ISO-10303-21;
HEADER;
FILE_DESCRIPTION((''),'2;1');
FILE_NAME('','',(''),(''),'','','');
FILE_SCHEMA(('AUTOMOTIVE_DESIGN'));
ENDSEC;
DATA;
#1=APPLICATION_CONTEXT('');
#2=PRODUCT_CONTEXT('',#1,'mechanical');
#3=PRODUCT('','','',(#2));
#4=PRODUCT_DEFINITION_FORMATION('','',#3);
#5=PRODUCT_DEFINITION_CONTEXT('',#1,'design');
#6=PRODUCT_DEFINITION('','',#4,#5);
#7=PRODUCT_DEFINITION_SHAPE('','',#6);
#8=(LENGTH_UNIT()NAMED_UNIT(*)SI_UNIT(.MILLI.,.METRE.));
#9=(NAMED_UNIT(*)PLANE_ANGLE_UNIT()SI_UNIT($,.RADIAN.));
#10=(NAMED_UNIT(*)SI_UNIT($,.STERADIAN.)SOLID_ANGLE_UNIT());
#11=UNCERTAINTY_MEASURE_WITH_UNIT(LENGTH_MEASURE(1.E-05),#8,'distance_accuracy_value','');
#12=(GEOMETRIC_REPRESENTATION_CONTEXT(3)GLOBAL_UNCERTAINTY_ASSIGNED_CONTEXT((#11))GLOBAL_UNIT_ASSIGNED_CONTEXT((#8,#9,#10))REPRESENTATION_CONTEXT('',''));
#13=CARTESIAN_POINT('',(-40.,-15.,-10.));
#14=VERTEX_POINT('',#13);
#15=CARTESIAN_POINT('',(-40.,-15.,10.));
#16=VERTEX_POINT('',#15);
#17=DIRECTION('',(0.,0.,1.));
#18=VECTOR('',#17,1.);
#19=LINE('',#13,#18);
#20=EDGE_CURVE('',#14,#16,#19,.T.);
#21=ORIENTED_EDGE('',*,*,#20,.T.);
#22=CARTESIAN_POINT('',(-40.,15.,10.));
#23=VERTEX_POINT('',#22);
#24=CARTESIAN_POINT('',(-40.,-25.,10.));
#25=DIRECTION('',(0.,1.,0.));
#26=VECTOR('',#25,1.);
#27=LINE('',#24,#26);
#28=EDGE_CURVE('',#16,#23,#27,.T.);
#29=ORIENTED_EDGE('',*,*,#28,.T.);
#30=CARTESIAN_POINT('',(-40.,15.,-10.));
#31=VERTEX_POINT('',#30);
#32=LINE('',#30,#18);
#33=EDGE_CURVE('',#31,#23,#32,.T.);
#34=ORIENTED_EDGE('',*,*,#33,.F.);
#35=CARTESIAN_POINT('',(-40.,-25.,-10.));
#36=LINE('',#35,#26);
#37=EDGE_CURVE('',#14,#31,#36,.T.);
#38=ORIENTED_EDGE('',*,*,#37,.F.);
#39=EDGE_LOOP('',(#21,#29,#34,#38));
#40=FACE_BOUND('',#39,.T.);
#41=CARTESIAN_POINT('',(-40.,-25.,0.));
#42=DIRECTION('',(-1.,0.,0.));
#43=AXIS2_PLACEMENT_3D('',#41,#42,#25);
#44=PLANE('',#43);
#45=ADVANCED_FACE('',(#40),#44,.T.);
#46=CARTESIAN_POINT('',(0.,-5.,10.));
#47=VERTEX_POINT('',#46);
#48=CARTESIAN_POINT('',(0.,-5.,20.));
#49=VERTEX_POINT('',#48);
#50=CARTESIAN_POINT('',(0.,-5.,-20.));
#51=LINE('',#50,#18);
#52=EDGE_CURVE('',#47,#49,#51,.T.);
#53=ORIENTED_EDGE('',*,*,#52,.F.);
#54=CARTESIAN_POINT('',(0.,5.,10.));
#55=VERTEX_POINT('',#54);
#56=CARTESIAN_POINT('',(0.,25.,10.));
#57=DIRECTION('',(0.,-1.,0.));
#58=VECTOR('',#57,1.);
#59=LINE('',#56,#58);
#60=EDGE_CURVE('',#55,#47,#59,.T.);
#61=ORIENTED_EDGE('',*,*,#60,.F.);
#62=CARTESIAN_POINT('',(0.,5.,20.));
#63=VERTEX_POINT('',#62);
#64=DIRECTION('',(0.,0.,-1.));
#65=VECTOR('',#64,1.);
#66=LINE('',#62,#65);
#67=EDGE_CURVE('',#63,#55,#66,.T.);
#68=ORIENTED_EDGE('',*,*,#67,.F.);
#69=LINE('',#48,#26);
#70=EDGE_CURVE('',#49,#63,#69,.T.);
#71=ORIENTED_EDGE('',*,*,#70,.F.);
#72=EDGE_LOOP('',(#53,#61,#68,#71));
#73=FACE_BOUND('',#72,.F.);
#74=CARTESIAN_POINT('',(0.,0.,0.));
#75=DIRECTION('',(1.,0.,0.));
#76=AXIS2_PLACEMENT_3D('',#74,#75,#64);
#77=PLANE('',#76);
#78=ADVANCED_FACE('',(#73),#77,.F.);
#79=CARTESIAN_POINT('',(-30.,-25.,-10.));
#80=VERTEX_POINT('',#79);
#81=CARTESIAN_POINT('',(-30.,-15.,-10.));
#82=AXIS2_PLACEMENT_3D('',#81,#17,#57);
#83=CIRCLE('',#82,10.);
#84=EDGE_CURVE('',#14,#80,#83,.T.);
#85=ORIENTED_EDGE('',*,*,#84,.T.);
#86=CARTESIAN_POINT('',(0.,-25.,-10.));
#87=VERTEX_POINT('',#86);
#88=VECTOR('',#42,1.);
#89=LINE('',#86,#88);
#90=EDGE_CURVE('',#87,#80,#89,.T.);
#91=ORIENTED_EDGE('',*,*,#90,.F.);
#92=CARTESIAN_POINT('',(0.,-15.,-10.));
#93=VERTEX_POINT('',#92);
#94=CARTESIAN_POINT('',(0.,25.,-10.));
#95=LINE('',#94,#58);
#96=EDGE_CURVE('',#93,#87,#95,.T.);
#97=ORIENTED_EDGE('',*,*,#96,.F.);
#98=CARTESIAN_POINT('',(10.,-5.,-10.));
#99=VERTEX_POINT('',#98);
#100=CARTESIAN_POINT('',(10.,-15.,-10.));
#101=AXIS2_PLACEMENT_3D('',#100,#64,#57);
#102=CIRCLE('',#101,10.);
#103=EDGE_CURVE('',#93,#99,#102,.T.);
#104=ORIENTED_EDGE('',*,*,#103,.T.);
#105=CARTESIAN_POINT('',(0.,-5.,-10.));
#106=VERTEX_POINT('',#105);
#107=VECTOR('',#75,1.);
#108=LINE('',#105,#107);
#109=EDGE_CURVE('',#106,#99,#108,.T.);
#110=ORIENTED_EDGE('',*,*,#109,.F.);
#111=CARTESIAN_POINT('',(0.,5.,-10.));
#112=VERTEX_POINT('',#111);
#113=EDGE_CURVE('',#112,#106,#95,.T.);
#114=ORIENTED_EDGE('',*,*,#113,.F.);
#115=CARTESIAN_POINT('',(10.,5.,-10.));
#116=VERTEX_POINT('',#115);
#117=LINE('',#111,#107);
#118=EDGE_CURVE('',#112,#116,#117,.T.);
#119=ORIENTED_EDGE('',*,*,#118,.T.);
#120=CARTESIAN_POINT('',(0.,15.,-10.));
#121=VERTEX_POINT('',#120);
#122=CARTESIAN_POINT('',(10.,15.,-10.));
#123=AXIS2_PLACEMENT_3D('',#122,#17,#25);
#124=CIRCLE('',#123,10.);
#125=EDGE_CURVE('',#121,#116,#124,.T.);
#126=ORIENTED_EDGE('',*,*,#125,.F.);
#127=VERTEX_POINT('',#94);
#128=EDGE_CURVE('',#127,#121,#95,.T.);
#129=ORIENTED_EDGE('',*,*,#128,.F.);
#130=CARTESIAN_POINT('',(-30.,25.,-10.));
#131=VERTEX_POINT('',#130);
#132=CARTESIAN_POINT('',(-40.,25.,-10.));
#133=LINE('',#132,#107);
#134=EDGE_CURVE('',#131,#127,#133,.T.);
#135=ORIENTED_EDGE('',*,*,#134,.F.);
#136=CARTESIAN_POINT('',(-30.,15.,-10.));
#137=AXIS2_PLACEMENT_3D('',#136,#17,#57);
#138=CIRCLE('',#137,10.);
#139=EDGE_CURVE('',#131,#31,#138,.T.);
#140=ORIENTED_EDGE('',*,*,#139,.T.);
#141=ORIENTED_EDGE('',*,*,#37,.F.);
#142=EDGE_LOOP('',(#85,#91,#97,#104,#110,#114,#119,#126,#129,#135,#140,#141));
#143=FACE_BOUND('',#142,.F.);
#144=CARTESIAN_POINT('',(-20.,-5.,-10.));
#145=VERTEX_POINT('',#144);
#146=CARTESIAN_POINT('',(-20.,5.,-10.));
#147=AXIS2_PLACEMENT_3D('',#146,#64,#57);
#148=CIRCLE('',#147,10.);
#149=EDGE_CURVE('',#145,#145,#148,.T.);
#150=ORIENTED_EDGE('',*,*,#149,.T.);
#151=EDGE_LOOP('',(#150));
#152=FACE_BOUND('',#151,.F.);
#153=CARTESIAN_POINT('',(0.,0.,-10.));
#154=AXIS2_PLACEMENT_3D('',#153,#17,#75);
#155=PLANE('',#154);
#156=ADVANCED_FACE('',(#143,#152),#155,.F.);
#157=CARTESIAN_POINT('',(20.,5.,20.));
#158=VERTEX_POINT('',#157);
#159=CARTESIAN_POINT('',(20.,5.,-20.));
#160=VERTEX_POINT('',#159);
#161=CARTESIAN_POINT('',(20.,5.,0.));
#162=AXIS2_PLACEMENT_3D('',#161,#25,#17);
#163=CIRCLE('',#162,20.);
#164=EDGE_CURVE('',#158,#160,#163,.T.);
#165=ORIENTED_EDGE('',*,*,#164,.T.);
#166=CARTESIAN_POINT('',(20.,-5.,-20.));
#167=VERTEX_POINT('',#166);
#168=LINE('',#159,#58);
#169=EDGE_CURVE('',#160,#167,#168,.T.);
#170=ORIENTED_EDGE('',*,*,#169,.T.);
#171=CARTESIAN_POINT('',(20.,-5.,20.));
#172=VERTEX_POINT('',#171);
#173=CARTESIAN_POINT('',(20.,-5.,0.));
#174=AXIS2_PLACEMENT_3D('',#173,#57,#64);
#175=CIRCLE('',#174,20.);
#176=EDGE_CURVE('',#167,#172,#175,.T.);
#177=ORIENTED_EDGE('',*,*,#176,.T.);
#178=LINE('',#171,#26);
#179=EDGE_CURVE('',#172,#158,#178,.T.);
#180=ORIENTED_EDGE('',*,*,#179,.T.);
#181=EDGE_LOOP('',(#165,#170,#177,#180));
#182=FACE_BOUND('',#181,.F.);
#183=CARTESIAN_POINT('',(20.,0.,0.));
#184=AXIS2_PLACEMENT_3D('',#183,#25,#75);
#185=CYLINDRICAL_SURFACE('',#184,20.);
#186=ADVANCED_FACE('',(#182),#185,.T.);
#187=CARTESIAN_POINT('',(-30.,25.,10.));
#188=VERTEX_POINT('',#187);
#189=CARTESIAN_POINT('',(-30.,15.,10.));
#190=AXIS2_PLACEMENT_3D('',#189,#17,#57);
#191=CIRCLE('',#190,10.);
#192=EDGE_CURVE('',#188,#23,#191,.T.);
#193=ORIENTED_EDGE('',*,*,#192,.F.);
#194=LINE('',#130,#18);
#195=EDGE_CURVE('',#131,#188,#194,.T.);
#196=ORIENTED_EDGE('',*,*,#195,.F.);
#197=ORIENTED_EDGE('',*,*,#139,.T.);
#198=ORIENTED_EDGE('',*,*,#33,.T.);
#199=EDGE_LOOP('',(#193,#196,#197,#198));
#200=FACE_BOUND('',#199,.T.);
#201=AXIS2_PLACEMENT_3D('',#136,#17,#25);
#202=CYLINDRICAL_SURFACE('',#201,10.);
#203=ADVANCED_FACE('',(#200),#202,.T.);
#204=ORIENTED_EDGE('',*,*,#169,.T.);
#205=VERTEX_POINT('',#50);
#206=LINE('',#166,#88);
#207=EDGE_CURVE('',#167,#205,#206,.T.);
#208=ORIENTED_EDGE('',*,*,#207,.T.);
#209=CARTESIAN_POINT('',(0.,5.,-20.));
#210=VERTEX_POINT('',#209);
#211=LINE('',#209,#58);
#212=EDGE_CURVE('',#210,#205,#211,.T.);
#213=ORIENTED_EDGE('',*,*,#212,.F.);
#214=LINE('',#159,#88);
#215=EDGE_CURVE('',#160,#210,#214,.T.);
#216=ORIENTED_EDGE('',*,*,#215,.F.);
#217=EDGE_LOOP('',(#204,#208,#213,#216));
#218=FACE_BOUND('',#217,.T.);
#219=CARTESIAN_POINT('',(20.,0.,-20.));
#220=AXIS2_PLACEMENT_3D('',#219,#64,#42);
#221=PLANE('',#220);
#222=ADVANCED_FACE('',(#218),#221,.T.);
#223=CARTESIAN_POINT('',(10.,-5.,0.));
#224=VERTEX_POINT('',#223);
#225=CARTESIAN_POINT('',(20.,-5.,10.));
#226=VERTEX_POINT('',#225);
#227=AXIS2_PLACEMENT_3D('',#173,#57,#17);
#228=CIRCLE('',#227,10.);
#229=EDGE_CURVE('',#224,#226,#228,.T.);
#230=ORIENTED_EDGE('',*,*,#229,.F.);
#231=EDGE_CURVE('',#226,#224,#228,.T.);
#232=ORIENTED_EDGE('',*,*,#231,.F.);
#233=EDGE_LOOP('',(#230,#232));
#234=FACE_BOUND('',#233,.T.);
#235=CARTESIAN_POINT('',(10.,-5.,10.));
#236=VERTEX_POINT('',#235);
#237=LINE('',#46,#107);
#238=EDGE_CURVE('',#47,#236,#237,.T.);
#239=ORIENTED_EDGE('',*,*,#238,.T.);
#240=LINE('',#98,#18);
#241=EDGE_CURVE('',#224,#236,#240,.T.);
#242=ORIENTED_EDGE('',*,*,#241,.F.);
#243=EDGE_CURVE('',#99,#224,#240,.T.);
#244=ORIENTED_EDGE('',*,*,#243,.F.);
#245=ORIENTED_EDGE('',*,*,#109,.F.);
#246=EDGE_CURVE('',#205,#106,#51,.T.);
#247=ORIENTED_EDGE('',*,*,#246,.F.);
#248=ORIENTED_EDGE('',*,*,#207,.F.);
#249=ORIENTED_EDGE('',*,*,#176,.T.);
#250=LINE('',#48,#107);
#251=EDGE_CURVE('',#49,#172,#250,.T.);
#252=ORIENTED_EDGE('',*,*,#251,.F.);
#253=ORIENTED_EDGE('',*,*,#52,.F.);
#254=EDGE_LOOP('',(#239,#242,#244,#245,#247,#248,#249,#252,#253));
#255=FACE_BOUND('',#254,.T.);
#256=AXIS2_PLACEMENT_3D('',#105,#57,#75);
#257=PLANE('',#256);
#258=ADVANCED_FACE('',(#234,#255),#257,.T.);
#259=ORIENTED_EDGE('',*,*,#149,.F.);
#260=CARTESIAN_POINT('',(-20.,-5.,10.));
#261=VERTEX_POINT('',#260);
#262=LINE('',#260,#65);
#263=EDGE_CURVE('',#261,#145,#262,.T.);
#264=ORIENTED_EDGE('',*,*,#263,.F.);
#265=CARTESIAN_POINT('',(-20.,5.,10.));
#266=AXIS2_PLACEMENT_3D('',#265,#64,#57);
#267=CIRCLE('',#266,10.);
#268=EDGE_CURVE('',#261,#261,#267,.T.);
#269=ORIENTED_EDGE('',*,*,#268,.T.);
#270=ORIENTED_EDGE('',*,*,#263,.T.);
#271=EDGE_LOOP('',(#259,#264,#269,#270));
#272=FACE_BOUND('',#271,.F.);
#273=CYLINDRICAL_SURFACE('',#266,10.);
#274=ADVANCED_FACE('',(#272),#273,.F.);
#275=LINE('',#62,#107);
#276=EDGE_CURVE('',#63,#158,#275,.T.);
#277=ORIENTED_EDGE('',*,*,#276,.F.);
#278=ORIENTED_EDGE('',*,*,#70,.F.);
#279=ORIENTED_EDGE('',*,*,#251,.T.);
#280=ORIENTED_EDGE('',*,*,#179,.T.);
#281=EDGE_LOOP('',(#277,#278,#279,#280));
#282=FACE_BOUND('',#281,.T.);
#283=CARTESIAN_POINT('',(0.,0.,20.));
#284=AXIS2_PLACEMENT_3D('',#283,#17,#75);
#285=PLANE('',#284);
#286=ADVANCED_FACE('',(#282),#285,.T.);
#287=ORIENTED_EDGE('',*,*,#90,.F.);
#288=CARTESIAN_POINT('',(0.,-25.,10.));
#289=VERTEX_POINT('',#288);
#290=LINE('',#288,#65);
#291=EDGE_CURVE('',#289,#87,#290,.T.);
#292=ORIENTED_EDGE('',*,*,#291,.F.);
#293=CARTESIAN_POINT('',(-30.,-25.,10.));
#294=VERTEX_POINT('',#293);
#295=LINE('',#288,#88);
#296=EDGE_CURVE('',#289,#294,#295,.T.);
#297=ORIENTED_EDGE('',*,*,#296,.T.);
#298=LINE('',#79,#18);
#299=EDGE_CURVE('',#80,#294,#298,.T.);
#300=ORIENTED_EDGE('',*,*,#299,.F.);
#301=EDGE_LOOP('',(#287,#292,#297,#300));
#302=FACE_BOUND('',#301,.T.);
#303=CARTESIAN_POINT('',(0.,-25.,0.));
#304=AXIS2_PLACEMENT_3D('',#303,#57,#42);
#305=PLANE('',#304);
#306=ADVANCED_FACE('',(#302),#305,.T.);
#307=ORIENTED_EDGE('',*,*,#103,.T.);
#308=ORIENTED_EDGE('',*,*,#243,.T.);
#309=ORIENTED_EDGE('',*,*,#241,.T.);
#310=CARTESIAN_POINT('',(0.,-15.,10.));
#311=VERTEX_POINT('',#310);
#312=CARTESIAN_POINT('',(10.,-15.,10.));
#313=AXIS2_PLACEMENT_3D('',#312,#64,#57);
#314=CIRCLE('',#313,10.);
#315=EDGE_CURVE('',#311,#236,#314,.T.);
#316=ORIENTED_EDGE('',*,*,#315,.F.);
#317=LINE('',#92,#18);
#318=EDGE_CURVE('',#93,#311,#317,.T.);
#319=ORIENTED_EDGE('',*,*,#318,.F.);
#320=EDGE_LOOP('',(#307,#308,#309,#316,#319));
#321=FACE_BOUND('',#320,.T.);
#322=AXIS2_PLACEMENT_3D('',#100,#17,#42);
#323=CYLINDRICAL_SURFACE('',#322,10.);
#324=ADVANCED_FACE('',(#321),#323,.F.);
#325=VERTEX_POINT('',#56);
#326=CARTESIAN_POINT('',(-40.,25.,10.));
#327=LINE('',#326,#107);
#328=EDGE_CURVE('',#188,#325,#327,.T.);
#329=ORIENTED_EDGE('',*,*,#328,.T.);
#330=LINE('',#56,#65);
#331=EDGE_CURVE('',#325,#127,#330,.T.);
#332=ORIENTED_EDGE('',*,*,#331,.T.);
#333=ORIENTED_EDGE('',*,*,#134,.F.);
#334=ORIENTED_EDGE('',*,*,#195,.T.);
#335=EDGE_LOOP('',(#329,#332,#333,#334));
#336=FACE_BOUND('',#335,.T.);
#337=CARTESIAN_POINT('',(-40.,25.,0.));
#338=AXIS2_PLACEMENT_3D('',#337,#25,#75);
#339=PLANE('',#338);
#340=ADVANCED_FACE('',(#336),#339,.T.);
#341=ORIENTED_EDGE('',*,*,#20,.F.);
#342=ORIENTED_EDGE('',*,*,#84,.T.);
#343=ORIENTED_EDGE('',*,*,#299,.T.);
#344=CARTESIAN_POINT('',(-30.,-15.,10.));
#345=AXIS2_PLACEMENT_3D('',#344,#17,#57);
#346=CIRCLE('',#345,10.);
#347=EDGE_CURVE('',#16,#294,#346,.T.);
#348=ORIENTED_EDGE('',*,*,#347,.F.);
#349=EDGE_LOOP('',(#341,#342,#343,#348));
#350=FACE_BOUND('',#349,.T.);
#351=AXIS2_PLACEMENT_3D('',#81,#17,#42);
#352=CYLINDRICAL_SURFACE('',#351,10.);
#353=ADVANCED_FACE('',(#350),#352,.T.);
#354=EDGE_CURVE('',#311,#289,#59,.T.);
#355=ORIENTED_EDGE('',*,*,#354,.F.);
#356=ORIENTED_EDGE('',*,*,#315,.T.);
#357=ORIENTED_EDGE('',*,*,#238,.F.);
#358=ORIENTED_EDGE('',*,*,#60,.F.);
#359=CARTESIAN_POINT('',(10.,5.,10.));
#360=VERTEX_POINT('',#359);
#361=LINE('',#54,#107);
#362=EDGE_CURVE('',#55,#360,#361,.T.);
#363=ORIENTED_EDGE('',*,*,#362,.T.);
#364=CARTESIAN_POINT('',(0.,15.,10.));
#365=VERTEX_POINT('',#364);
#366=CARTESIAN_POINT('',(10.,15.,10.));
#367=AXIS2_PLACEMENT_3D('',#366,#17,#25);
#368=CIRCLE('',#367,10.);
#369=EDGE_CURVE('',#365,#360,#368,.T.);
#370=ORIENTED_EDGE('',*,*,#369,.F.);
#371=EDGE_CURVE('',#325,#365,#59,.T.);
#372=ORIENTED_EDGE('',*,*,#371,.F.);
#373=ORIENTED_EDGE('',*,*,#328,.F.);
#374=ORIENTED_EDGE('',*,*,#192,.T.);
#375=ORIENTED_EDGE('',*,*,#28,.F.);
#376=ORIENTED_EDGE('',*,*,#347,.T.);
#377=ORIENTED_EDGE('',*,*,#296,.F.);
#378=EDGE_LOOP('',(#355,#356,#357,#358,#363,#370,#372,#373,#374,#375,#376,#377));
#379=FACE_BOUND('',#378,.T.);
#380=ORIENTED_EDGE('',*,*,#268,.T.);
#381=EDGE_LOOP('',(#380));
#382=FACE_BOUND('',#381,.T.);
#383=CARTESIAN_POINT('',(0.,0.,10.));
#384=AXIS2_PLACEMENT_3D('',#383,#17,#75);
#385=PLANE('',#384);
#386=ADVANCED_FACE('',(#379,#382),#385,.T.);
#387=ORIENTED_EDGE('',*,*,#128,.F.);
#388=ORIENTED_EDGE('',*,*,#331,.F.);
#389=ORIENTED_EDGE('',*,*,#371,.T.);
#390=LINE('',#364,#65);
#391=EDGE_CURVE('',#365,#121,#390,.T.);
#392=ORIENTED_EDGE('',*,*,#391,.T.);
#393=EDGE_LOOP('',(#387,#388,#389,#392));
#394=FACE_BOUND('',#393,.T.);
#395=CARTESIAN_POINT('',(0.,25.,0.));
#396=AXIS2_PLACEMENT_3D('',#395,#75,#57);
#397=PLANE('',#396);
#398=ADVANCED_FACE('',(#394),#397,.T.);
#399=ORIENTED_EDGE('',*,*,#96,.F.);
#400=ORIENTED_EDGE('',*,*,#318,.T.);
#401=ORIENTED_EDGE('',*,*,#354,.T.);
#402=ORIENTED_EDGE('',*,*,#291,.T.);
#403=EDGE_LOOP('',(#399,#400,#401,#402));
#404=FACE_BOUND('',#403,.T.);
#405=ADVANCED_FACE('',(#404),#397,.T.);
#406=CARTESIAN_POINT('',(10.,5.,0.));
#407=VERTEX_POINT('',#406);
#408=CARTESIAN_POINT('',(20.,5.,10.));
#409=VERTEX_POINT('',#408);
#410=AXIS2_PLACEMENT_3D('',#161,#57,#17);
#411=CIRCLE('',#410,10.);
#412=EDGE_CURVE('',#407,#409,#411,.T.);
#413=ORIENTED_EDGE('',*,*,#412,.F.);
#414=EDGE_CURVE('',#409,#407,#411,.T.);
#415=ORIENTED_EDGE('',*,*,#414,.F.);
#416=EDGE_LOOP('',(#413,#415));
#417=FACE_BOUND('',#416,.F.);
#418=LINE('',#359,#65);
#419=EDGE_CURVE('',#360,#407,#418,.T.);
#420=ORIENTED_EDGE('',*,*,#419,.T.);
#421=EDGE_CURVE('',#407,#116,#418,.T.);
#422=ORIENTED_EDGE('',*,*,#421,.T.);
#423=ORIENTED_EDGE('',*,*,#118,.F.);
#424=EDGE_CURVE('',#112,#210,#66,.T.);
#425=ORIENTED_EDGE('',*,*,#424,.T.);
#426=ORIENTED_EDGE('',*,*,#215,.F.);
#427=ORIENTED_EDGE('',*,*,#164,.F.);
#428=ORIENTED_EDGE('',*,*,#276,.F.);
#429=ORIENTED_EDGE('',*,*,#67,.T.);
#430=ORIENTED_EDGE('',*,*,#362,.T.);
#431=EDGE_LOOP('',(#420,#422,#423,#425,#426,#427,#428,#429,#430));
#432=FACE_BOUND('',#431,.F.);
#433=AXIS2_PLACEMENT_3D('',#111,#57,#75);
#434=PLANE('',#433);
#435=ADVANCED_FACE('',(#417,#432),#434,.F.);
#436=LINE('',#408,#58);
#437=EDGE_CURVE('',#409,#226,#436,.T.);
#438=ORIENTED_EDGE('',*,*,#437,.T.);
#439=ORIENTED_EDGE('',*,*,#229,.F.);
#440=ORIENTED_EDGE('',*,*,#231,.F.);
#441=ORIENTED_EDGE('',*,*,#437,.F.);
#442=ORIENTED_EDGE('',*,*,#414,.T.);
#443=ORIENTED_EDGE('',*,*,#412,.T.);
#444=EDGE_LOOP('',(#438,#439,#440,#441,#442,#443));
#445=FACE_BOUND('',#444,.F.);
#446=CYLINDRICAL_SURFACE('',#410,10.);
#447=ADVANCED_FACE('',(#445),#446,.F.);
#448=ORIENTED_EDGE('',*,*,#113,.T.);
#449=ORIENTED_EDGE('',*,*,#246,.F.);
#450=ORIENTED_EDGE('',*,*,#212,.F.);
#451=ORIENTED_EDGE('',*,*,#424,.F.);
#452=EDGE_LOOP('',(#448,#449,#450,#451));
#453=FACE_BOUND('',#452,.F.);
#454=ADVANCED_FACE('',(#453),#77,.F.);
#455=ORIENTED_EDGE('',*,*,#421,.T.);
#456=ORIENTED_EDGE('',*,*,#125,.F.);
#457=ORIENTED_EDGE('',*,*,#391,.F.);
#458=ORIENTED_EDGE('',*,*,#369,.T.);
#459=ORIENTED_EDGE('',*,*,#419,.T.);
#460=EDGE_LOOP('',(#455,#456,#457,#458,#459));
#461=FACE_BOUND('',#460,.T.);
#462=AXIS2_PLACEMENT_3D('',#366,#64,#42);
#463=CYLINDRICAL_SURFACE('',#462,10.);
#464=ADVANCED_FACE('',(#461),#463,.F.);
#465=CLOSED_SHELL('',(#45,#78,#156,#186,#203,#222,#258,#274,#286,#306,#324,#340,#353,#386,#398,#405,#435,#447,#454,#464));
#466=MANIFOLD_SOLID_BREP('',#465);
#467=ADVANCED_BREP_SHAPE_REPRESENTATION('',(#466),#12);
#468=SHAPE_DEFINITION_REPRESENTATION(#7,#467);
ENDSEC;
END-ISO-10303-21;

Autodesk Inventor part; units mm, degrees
ref_plane "YZ Plane" through (0, 0, 0) normal (1, 0, 0) x (0, 1, 0)
ref_plane "XZ Plane" through (0, 0, 0) normal (0, 1, 0) x (-1, 0, 0)
sketch "草圖1" plane through (0, 0, 0) normal (0, 0, 1) x (1, 0, 0)
  line L0 (-40, 25) -> (0, 25)
  line L1 (0, 25) -> (0, -25)
  line L2 (0, -25) -> (-40, -25)
  line L3 (-40, -25) -> (-40, 25)
  point P0 (0, 0)
  point P1 (0, 0)
  dimension "d0" = 50
  dimension "d1" = 40
extrude "擠出1" add sketch "草圖1" along normal mid plane 20
fillet "圓角1" radius 10 2 edges at (-40, 25, 0) (-40, -25, 0)
sketch "草圖2" plane through (0, 0, 10) normal (0, 0, 1) x (1, 0, 0)
  arc A0 (-40, -15) -> (-30, -25) centre (-30, -15) ccw projected
  line L0 (-40, -15) -> (-40, 15) projected
  arc A1 (-30, 25) -> (-40, 15) centre (-30, 15) ccw projected
  line L1 (-30, 25) -> (0, 25) projected
  line L2 (0, 25) -> (0, -25) projected
  line L3 (0, -25) -> (-30, -25) projected
  point P0 (0, 0)
  point P1 (-20, 5)
  dimension "d5" = 20
  dimension "d6" = 20
hole "孔1" at (-20, 5, 10) direction (0, 0, -1) diameter 20 end through all
ref_plane "工作平面1" through (0, 0, -10) normal (0, -1, 0) x (1, 0, 0)
sketch "草圖3" plane through (0, 0, -10) normal (0, -1, 0) x (1, 0, 0)
  line L0 (-11.3397, 0) -> (-11.3397, 20) projected
  line L1 (-11.3397, 20) -> (0, 20) projected
  line L2 (0, 20) -> (0, 0) projected
  line L3 (0, 0) -> (-11.3397, 0) projected
  line L4 (-28.6603, 20) -> (-28.6603, 0) projected
  line L5 (-28.6603, 0) -> (-40, 0) projected
  line L6 (-40, 0) -> (-40, 20) projected
  line L7 (-40, 20) -> (-28.6603, 20) projected
  circle A0 centre (20, 10) radius 20
  line L8 (20, -10) -> (0, -10)
  line L9 (0, -10) -> (0, 30)
  line L10 (0, 30) -> (20, 30)
  line L11 (20, 30) -> (20, -10)
  point P0 (0, 10)
  point P1 (0, 10)
  point P2 (20, 10)
  point P3 (0, 20)
  dimension "d15" = 40
  dimension "d14" = 20
extrude "擠出2" add sketch "草圖3" along normal mid plane 10 contours L2 A0 L8 L9 | L9 L10 A0 L2 | A0 L11 | A0 L11
fillet "圓角2" radius 10 2 edges at (0, 5, 0) (0, -5, 0)
sketch "草圖4" plane through (0, 5, -10) normal (0, 1, 0) x (1, 0, 0)
  arc A0 (20, -30) -> (20, 10) centre (20, -10) ccw projected
  point P0 (0, -10)
hole "孔2" at (20, 5, 0) direction (0, -1, 0) diameter 20 end through all
properties part number "22" material "鋼、碳鋼"
